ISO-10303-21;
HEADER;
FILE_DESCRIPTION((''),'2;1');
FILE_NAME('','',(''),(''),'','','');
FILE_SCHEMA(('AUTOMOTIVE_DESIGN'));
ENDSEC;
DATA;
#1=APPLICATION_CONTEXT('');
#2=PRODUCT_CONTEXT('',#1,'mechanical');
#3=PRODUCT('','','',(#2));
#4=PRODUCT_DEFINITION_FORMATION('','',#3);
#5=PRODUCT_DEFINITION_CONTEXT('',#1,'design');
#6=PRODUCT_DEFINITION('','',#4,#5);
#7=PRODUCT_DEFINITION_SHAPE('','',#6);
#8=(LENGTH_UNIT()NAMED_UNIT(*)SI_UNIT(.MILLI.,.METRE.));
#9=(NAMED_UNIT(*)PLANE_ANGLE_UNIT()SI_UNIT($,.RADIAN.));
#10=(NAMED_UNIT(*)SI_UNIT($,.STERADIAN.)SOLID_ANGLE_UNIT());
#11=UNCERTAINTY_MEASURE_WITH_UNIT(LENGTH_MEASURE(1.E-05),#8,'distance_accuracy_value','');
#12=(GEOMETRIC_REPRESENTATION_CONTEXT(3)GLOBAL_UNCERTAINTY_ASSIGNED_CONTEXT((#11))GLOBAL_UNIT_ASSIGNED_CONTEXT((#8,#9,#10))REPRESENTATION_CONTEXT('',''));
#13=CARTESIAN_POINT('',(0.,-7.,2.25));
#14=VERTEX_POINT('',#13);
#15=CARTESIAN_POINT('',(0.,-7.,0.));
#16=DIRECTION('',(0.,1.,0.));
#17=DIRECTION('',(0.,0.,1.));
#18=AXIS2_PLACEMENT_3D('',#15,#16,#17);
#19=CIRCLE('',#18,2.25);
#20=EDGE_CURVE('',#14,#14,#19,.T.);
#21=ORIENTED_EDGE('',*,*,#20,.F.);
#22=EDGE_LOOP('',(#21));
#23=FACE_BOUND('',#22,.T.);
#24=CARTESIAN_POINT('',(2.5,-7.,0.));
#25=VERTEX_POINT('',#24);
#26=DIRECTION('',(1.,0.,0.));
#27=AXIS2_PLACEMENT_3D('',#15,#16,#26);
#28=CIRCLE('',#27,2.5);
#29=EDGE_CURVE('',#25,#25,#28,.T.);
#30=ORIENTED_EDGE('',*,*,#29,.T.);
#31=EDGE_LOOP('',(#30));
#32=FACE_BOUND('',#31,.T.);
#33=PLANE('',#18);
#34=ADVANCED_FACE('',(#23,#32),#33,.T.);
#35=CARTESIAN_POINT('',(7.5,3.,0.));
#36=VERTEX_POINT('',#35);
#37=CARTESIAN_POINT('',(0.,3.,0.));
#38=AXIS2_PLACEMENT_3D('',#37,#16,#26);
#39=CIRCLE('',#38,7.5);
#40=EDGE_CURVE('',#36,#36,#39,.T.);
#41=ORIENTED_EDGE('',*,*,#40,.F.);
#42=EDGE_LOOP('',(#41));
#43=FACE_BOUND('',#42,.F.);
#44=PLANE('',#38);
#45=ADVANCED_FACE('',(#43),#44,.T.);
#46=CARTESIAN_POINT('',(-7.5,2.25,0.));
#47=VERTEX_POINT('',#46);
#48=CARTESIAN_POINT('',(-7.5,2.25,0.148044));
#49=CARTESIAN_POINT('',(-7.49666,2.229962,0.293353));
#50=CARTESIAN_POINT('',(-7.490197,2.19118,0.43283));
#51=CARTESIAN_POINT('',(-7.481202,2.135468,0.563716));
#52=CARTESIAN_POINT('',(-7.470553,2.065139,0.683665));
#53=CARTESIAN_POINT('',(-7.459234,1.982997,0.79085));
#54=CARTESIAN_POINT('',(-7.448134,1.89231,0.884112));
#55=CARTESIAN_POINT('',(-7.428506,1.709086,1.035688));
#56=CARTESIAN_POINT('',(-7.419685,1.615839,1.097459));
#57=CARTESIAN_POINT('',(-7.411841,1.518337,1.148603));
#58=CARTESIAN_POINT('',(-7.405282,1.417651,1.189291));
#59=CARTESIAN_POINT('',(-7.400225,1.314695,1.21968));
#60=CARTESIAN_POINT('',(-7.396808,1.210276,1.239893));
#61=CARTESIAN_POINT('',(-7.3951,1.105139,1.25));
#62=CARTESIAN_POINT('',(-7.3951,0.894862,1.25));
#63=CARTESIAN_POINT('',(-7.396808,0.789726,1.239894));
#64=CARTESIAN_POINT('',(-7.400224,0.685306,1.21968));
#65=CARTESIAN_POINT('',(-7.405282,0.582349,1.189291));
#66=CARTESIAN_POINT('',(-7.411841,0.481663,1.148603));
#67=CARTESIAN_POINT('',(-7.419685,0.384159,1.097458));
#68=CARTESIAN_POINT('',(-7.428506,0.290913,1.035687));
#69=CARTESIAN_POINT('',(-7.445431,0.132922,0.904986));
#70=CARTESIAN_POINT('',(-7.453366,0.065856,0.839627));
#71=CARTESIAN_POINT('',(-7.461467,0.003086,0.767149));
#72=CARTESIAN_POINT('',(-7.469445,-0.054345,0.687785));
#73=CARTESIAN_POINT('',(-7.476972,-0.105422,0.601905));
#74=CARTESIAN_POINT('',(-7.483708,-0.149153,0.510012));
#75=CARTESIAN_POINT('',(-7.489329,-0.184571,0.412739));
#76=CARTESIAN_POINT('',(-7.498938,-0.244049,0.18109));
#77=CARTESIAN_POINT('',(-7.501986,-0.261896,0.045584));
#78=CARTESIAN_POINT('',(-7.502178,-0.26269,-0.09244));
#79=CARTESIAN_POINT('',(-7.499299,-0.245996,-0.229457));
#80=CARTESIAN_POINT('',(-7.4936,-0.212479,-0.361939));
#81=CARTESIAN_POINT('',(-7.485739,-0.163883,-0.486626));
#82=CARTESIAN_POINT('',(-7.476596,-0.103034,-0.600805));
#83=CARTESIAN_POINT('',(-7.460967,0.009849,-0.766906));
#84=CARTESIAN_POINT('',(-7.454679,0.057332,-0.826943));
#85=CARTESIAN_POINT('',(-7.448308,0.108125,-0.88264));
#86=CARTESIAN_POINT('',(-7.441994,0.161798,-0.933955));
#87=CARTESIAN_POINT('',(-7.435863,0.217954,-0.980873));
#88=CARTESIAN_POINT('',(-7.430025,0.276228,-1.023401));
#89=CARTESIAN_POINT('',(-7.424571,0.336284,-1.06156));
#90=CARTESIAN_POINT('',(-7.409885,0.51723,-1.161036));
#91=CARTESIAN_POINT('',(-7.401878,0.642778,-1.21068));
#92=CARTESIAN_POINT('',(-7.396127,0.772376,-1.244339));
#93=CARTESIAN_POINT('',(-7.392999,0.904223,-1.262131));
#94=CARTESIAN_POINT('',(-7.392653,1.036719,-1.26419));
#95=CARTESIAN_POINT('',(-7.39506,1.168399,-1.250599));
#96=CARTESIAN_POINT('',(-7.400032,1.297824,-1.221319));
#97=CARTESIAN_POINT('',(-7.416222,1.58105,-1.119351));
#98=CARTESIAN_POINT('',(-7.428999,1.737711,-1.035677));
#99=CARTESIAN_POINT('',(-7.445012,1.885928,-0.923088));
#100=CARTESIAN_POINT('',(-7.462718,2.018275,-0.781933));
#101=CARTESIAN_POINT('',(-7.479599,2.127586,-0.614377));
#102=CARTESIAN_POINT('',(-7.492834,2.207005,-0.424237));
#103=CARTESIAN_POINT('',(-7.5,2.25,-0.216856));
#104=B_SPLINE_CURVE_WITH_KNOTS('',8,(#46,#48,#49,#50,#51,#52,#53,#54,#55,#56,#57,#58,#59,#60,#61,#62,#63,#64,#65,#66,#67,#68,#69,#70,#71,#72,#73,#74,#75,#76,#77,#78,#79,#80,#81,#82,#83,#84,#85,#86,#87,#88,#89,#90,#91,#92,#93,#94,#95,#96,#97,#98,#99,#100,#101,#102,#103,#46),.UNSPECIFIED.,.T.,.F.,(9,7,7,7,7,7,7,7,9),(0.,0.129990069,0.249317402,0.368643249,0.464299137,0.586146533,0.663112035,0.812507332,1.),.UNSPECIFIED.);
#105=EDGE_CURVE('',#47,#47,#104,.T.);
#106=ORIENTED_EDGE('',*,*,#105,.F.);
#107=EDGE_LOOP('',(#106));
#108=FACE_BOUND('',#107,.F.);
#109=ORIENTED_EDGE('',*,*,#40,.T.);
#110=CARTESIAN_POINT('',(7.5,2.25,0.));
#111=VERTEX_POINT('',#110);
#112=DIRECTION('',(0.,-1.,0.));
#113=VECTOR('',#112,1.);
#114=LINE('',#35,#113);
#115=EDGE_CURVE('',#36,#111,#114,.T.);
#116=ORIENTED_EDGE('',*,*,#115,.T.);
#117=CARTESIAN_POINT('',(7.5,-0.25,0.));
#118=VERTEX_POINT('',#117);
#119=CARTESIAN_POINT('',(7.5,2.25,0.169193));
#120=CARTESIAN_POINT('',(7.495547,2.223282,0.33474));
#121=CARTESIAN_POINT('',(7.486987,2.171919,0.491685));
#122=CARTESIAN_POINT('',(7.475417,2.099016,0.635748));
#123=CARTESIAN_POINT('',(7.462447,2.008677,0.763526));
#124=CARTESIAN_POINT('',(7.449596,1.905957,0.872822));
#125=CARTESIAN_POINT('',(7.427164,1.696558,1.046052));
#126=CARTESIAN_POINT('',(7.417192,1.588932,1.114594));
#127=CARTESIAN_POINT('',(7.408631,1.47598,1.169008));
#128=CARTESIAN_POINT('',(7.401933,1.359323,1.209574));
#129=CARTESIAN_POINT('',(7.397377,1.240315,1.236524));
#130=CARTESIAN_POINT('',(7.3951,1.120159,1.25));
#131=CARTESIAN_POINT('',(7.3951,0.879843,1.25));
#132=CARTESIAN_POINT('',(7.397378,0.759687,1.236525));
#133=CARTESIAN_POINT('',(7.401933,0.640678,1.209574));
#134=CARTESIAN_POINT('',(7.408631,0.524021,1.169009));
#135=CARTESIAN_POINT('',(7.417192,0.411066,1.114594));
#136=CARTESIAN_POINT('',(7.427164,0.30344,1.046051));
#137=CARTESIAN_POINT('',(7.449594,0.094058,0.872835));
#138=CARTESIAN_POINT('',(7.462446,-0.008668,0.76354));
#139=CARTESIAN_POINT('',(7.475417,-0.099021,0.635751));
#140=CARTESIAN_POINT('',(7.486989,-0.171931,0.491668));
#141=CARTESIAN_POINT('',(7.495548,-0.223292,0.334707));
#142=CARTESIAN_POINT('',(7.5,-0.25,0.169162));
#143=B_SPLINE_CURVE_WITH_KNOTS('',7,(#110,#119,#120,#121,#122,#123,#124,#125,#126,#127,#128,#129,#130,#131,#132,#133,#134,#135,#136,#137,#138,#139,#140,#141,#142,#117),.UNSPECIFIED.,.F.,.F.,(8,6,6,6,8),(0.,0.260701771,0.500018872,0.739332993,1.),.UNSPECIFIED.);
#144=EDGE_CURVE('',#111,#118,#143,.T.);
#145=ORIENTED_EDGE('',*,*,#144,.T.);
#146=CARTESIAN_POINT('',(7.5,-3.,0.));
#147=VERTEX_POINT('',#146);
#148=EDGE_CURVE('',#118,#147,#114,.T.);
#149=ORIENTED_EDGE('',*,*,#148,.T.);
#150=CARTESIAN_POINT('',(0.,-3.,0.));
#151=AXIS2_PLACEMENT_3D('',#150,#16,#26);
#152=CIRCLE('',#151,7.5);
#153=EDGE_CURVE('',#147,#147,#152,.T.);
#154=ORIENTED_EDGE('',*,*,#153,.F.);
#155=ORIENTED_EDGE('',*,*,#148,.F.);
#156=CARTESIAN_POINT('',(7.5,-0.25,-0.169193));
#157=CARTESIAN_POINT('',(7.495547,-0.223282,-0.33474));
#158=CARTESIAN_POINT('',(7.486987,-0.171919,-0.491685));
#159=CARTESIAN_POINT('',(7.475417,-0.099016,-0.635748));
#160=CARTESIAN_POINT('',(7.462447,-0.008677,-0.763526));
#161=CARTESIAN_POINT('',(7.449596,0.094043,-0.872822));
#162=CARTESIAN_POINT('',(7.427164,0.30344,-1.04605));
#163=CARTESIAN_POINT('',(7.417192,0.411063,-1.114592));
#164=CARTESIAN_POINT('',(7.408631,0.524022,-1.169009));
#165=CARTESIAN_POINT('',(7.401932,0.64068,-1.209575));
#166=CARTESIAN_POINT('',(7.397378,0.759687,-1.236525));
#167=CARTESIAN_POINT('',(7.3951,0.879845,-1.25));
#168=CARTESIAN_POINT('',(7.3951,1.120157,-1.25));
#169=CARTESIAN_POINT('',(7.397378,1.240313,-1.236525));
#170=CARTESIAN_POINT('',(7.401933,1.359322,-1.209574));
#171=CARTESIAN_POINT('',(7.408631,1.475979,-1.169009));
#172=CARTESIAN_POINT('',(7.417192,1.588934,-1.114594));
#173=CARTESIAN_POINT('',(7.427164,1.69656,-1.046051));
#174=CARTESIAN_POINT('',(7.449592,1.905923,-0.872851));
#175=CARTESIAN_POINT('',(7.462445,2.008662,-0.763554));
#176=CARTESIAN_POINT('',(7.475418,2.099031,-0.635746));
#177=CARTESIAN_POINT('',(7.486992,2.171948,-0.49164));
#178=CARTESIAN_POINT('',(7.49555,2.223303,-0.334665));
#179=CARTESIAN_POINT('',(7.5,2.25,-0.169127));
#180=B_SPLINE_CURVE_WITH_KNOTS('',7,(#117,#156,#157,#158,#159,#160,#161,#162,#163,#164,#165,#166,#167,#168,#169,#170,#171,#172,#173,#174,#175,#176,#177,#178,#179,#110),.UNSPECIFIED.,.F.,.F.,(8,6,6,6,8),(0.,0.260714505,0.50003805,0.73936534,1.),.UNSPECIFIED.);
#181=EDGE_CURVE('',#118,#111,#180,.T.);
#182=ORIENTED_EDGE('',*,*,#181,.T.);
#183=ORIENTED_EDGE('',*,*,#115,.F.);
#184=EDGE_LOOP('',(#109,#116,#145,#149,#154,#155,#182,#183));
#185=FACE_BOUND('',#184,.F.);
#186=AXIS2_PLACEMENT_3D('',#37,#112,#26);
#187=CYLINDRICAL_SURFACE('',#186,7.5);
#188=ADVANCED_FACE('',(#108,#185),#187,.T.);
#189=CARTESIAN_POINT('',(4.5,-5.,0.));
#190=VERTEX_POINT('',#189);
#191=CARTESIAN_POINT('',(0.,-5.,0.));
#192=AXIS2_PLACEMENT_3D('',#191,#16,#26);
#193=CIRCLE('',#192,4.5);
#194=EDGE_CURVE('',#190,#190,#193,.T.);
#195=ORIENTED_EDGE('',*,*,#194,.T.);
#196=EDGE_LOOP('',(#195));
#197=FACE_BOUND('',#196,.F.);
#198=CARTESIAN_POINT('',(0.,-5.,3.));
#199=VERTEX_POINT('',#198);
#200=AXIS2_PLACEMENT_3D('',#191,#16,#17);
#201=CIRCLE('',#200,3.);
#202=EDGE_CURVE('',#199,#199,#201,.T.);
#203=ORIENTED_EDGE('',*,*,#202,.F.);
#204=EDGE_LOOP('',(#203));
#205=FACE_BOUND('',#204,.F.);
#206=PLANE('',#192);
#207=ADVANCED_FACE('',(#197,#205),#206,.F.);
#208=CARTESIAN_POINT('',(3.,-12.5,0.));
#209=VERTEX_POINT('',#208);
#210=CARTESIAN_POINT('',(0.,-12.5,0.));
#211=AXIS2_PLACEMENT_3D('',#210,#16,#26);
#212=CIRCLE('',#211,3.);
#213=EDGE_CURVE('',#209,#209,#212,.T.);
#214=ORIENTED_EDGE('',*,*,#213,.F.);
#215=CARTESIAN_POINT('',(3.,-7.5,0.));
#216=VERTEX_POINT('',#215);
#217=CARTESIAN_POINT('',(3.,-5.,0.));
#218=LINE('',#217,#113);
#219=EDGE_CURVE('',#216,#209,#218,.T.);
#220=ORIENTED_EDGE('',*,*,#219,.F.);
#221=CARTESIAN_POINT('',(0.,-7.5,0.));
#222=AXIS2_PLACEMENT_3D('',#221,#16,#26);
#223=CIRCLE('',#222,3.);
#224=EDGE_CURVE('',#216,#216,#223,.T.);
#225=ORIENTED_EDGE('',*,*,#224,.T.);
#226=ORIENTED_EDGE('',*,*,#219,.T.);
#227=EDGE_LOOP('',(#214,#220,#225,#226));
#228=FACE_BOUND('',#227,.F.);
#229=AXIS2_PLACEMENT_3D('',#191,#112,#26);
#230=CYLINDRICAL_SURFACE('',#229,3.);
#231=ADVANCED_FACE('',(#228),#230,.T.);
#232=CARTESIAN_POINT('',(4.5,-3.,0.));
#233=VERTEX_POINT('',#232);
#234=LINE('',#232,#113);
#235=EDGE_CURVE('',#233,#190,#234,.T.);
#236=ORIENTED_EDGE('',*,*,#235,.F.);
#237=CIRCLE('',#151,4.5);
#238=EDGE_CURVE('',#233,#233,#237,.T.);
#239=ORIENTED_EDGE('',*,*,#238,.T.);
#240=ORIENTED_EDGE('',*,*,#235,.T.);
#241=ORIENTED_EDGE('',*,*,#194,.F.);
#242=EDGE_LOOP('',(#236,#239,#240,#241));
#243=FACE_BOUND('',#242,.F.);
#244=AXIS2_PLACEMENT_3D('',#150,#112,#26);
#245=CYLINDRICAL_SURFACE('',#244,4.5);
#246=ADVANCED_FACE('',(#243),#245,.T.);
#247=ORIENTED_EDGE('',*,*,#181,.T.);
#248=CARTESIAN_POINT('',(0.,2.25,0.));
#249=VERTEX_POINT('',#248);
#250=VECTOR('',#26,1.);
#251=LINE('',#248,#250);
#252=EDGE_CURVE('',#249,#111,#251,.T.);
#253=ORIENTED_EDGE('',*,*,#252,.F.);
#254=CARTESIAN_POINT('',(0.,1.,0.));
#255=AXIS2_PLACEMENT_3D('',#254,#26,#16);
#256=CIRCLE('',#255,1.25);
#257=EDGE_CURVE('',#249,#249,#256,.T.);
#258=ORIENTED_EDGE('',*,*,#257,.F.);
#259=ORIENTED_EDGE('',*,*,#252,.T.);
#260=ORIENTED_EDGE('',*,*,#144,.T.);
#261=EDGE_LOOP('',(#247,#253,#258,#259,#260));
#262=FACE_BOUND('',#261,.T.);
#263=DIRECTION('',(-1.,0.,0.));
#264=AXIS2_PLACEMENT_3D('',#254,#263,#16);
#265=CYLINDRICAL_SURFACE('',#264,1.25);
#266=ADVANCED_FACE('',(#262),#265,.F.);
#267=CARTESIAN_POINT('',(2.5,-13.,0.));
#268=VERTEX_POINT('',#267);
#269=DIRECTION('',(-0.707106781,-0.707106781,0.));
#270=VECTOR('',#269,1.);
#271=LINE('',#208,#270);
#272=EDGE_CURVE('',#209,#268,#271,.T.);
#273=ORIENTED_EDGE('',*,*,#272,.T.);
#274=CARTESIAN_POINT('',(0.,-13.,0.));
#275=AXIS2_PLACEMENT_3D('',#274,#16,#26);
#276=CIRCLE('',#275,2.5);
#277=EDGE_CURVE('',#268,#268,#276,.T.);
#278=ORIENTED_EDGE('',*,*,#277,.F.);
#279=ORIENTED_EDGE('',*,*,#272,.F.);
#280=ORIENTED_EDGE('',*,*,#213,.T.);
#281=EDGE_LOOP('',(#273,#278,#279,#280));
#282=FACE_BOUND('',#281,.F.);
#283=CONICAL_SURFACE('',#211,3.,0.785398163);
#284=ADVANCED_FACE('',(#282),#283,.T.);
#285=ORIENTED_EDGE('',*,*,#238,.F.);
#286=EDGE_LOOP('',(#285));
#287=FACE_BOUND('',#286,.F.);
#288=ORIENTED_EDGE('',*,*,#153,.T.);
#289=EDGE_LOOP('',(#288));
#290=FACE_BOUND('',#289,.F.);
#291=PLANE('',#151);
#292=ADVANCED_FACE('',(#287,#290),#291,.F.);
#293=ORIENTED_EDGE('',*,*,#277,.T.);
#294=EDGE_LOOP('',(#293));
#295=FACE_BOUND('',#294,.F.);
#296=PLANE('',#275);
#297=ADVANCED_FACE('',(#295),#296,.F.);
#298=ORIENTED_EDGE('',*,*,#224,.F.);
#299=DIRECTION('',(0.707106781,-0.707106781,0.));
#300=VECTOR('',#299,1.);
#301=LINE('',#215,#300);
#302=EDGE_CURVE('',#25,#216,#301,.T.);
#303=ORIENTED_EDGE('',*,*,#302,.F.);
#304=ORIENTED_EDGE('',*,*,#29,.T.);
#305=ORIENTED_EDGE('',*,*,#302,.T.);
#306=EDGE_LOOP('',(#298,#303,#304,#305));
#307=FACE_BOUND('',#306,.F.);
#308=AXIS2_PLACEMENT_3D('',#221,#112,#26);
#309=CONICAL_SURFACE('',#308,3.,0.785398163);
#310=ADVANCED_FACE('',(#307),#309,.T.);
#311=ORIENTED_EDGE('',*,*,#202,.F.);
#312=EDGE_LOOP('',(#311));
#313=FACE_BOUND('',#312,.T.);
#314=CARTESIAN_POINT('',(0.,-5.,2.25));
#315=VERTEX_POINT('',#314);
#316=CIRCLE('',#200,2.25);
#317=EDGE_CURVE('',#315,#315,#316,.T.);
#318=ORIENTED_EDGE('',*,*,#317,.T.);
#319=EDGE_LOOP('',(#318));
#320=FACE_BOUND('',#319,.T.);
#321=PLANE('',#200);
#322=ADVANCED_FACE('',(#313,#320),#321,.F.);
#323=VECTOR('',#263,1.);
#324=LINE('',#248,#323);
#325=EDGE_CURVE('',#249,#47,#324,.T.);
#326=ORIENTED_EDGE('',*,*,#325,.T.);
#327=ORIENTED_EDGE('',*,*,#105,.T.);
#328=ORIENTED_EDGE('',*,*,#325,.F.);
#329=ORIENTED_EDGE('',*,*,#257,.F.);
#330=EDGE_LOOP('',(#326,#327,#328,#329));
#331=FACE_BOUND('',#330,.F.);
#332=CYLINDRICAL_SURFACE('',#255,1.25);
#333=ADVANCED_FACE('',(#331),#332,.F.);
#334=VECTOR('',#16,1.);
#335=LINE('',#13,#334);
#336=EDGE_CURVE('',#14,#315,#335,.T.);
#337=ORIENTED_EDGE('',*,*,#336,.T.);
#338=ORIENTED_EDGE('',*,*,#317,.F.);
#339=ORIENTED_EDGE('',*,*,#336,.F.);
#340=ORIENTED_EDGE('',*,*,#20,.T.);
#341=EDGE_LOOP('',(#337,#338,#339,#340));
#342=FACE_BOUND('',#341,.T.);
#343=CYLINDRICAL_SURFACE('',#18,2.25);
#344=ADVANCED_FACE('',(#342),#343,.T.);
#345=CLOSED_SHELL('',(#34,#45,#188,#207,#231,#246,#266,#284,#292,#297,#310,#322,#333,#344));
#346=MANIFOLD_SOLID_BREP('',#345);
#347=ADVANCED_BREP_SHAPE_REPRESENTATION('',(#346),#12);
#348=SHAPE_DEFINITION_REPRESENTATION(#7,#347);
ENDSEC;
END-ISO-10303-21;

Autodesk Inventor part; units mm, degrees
ref_plane "YZ Plane" through (0, 0, 0) normal (1, 0, 0) x (0, 1, 0)
ref_plane "XZ Plane" through (0, 0, 0) normal (0, 1, 0) x (-1, 0, 0)
ref_plane "XY Plane" through (0, 0, 0) normal (0, 0, 1) x (1, 0, 0)
sketch "Sketch3" plane through (0, 0, 0) normal (0, 0, 1) x (1, 0, 0)
  line L0 (0, 3) -> (7.5, 3)
  line L1 (7.5, 3) -> (7.5, -3)
  line L2 (7.5, -3) -> (4.5, -3)
  line L3 (4.5, -3) -> (4.5, -5)
  line L4 (4.5, -5) -> (3, -5)
  line L5 (0, -16.2) -> (0, 6.2) projected
  line L6 (3, -5) -> (3, -13)
  line L7 (3, -13) -> (0, -13)
  point P0 (0, 0)
  point P1 (7.5, 0)
  dimension "d6" = 6
  dimension "d7" = 15
  dimension "d8" = 9
  dimension "d9" = 2
  dimension "d11" = 6
  dimension "d12" = 8
revolve "Revolution1" add sketch "Sketch3" angle 360 about axis through (0, -10, 0) along (0, 1, 0)
sketch "Sketch4" plane through (0, 0, 0) normal (1, 0, 0) x (0, 1, 0)
  circle A0 centre (1, 0) radius 1.25
  line L0 (3, 7.5) -> (3, -7.5) projected
  point P0 (0, 0)
  dimension "d13" = 2.5
  dimension "d14" = 2
extrude "Extrusion3" cut sketch "Sketch4" along normal through all both and the other way through all
sketch "Sketch5" plane through (0, 0, 0) normal (1, 0, 0) x (0, 1, 0)
  line L0 (-7, 2.25) -> (-5, 2.25)
  line L1 (-5, 2.25) -> (-5, 3)
  line L2 (-5, 3) -> (-7, 3)
  line L3 (-7, 3) -> (-7, 2.25)
  line L4 (-5, 3) -> (-13, 3) projected
  line L5 (-5, 4.5) -> (-5, -4.5) projected
  line L6 (-16.2, 0) -> (6.2, 0) projected
  point P0 (0, 0)
  dimension "d17" = 2
  dimension "d18" = 4.5
revolve "Revolution2" cut sketch "Sketch5" angle 360 about axis through (0, -10, 0) along (0, 1, 0)
thread "Thread1" size "M6x1" class "6g" standard "ANSI Metric M Profile" full length
chamfer "Chamfer1" distance 0.5 angle 45 2 edges at (-3, -13, 0) (-3, -7, 0)
properties part number "Thumb Screw" material "Steel, Mild"
